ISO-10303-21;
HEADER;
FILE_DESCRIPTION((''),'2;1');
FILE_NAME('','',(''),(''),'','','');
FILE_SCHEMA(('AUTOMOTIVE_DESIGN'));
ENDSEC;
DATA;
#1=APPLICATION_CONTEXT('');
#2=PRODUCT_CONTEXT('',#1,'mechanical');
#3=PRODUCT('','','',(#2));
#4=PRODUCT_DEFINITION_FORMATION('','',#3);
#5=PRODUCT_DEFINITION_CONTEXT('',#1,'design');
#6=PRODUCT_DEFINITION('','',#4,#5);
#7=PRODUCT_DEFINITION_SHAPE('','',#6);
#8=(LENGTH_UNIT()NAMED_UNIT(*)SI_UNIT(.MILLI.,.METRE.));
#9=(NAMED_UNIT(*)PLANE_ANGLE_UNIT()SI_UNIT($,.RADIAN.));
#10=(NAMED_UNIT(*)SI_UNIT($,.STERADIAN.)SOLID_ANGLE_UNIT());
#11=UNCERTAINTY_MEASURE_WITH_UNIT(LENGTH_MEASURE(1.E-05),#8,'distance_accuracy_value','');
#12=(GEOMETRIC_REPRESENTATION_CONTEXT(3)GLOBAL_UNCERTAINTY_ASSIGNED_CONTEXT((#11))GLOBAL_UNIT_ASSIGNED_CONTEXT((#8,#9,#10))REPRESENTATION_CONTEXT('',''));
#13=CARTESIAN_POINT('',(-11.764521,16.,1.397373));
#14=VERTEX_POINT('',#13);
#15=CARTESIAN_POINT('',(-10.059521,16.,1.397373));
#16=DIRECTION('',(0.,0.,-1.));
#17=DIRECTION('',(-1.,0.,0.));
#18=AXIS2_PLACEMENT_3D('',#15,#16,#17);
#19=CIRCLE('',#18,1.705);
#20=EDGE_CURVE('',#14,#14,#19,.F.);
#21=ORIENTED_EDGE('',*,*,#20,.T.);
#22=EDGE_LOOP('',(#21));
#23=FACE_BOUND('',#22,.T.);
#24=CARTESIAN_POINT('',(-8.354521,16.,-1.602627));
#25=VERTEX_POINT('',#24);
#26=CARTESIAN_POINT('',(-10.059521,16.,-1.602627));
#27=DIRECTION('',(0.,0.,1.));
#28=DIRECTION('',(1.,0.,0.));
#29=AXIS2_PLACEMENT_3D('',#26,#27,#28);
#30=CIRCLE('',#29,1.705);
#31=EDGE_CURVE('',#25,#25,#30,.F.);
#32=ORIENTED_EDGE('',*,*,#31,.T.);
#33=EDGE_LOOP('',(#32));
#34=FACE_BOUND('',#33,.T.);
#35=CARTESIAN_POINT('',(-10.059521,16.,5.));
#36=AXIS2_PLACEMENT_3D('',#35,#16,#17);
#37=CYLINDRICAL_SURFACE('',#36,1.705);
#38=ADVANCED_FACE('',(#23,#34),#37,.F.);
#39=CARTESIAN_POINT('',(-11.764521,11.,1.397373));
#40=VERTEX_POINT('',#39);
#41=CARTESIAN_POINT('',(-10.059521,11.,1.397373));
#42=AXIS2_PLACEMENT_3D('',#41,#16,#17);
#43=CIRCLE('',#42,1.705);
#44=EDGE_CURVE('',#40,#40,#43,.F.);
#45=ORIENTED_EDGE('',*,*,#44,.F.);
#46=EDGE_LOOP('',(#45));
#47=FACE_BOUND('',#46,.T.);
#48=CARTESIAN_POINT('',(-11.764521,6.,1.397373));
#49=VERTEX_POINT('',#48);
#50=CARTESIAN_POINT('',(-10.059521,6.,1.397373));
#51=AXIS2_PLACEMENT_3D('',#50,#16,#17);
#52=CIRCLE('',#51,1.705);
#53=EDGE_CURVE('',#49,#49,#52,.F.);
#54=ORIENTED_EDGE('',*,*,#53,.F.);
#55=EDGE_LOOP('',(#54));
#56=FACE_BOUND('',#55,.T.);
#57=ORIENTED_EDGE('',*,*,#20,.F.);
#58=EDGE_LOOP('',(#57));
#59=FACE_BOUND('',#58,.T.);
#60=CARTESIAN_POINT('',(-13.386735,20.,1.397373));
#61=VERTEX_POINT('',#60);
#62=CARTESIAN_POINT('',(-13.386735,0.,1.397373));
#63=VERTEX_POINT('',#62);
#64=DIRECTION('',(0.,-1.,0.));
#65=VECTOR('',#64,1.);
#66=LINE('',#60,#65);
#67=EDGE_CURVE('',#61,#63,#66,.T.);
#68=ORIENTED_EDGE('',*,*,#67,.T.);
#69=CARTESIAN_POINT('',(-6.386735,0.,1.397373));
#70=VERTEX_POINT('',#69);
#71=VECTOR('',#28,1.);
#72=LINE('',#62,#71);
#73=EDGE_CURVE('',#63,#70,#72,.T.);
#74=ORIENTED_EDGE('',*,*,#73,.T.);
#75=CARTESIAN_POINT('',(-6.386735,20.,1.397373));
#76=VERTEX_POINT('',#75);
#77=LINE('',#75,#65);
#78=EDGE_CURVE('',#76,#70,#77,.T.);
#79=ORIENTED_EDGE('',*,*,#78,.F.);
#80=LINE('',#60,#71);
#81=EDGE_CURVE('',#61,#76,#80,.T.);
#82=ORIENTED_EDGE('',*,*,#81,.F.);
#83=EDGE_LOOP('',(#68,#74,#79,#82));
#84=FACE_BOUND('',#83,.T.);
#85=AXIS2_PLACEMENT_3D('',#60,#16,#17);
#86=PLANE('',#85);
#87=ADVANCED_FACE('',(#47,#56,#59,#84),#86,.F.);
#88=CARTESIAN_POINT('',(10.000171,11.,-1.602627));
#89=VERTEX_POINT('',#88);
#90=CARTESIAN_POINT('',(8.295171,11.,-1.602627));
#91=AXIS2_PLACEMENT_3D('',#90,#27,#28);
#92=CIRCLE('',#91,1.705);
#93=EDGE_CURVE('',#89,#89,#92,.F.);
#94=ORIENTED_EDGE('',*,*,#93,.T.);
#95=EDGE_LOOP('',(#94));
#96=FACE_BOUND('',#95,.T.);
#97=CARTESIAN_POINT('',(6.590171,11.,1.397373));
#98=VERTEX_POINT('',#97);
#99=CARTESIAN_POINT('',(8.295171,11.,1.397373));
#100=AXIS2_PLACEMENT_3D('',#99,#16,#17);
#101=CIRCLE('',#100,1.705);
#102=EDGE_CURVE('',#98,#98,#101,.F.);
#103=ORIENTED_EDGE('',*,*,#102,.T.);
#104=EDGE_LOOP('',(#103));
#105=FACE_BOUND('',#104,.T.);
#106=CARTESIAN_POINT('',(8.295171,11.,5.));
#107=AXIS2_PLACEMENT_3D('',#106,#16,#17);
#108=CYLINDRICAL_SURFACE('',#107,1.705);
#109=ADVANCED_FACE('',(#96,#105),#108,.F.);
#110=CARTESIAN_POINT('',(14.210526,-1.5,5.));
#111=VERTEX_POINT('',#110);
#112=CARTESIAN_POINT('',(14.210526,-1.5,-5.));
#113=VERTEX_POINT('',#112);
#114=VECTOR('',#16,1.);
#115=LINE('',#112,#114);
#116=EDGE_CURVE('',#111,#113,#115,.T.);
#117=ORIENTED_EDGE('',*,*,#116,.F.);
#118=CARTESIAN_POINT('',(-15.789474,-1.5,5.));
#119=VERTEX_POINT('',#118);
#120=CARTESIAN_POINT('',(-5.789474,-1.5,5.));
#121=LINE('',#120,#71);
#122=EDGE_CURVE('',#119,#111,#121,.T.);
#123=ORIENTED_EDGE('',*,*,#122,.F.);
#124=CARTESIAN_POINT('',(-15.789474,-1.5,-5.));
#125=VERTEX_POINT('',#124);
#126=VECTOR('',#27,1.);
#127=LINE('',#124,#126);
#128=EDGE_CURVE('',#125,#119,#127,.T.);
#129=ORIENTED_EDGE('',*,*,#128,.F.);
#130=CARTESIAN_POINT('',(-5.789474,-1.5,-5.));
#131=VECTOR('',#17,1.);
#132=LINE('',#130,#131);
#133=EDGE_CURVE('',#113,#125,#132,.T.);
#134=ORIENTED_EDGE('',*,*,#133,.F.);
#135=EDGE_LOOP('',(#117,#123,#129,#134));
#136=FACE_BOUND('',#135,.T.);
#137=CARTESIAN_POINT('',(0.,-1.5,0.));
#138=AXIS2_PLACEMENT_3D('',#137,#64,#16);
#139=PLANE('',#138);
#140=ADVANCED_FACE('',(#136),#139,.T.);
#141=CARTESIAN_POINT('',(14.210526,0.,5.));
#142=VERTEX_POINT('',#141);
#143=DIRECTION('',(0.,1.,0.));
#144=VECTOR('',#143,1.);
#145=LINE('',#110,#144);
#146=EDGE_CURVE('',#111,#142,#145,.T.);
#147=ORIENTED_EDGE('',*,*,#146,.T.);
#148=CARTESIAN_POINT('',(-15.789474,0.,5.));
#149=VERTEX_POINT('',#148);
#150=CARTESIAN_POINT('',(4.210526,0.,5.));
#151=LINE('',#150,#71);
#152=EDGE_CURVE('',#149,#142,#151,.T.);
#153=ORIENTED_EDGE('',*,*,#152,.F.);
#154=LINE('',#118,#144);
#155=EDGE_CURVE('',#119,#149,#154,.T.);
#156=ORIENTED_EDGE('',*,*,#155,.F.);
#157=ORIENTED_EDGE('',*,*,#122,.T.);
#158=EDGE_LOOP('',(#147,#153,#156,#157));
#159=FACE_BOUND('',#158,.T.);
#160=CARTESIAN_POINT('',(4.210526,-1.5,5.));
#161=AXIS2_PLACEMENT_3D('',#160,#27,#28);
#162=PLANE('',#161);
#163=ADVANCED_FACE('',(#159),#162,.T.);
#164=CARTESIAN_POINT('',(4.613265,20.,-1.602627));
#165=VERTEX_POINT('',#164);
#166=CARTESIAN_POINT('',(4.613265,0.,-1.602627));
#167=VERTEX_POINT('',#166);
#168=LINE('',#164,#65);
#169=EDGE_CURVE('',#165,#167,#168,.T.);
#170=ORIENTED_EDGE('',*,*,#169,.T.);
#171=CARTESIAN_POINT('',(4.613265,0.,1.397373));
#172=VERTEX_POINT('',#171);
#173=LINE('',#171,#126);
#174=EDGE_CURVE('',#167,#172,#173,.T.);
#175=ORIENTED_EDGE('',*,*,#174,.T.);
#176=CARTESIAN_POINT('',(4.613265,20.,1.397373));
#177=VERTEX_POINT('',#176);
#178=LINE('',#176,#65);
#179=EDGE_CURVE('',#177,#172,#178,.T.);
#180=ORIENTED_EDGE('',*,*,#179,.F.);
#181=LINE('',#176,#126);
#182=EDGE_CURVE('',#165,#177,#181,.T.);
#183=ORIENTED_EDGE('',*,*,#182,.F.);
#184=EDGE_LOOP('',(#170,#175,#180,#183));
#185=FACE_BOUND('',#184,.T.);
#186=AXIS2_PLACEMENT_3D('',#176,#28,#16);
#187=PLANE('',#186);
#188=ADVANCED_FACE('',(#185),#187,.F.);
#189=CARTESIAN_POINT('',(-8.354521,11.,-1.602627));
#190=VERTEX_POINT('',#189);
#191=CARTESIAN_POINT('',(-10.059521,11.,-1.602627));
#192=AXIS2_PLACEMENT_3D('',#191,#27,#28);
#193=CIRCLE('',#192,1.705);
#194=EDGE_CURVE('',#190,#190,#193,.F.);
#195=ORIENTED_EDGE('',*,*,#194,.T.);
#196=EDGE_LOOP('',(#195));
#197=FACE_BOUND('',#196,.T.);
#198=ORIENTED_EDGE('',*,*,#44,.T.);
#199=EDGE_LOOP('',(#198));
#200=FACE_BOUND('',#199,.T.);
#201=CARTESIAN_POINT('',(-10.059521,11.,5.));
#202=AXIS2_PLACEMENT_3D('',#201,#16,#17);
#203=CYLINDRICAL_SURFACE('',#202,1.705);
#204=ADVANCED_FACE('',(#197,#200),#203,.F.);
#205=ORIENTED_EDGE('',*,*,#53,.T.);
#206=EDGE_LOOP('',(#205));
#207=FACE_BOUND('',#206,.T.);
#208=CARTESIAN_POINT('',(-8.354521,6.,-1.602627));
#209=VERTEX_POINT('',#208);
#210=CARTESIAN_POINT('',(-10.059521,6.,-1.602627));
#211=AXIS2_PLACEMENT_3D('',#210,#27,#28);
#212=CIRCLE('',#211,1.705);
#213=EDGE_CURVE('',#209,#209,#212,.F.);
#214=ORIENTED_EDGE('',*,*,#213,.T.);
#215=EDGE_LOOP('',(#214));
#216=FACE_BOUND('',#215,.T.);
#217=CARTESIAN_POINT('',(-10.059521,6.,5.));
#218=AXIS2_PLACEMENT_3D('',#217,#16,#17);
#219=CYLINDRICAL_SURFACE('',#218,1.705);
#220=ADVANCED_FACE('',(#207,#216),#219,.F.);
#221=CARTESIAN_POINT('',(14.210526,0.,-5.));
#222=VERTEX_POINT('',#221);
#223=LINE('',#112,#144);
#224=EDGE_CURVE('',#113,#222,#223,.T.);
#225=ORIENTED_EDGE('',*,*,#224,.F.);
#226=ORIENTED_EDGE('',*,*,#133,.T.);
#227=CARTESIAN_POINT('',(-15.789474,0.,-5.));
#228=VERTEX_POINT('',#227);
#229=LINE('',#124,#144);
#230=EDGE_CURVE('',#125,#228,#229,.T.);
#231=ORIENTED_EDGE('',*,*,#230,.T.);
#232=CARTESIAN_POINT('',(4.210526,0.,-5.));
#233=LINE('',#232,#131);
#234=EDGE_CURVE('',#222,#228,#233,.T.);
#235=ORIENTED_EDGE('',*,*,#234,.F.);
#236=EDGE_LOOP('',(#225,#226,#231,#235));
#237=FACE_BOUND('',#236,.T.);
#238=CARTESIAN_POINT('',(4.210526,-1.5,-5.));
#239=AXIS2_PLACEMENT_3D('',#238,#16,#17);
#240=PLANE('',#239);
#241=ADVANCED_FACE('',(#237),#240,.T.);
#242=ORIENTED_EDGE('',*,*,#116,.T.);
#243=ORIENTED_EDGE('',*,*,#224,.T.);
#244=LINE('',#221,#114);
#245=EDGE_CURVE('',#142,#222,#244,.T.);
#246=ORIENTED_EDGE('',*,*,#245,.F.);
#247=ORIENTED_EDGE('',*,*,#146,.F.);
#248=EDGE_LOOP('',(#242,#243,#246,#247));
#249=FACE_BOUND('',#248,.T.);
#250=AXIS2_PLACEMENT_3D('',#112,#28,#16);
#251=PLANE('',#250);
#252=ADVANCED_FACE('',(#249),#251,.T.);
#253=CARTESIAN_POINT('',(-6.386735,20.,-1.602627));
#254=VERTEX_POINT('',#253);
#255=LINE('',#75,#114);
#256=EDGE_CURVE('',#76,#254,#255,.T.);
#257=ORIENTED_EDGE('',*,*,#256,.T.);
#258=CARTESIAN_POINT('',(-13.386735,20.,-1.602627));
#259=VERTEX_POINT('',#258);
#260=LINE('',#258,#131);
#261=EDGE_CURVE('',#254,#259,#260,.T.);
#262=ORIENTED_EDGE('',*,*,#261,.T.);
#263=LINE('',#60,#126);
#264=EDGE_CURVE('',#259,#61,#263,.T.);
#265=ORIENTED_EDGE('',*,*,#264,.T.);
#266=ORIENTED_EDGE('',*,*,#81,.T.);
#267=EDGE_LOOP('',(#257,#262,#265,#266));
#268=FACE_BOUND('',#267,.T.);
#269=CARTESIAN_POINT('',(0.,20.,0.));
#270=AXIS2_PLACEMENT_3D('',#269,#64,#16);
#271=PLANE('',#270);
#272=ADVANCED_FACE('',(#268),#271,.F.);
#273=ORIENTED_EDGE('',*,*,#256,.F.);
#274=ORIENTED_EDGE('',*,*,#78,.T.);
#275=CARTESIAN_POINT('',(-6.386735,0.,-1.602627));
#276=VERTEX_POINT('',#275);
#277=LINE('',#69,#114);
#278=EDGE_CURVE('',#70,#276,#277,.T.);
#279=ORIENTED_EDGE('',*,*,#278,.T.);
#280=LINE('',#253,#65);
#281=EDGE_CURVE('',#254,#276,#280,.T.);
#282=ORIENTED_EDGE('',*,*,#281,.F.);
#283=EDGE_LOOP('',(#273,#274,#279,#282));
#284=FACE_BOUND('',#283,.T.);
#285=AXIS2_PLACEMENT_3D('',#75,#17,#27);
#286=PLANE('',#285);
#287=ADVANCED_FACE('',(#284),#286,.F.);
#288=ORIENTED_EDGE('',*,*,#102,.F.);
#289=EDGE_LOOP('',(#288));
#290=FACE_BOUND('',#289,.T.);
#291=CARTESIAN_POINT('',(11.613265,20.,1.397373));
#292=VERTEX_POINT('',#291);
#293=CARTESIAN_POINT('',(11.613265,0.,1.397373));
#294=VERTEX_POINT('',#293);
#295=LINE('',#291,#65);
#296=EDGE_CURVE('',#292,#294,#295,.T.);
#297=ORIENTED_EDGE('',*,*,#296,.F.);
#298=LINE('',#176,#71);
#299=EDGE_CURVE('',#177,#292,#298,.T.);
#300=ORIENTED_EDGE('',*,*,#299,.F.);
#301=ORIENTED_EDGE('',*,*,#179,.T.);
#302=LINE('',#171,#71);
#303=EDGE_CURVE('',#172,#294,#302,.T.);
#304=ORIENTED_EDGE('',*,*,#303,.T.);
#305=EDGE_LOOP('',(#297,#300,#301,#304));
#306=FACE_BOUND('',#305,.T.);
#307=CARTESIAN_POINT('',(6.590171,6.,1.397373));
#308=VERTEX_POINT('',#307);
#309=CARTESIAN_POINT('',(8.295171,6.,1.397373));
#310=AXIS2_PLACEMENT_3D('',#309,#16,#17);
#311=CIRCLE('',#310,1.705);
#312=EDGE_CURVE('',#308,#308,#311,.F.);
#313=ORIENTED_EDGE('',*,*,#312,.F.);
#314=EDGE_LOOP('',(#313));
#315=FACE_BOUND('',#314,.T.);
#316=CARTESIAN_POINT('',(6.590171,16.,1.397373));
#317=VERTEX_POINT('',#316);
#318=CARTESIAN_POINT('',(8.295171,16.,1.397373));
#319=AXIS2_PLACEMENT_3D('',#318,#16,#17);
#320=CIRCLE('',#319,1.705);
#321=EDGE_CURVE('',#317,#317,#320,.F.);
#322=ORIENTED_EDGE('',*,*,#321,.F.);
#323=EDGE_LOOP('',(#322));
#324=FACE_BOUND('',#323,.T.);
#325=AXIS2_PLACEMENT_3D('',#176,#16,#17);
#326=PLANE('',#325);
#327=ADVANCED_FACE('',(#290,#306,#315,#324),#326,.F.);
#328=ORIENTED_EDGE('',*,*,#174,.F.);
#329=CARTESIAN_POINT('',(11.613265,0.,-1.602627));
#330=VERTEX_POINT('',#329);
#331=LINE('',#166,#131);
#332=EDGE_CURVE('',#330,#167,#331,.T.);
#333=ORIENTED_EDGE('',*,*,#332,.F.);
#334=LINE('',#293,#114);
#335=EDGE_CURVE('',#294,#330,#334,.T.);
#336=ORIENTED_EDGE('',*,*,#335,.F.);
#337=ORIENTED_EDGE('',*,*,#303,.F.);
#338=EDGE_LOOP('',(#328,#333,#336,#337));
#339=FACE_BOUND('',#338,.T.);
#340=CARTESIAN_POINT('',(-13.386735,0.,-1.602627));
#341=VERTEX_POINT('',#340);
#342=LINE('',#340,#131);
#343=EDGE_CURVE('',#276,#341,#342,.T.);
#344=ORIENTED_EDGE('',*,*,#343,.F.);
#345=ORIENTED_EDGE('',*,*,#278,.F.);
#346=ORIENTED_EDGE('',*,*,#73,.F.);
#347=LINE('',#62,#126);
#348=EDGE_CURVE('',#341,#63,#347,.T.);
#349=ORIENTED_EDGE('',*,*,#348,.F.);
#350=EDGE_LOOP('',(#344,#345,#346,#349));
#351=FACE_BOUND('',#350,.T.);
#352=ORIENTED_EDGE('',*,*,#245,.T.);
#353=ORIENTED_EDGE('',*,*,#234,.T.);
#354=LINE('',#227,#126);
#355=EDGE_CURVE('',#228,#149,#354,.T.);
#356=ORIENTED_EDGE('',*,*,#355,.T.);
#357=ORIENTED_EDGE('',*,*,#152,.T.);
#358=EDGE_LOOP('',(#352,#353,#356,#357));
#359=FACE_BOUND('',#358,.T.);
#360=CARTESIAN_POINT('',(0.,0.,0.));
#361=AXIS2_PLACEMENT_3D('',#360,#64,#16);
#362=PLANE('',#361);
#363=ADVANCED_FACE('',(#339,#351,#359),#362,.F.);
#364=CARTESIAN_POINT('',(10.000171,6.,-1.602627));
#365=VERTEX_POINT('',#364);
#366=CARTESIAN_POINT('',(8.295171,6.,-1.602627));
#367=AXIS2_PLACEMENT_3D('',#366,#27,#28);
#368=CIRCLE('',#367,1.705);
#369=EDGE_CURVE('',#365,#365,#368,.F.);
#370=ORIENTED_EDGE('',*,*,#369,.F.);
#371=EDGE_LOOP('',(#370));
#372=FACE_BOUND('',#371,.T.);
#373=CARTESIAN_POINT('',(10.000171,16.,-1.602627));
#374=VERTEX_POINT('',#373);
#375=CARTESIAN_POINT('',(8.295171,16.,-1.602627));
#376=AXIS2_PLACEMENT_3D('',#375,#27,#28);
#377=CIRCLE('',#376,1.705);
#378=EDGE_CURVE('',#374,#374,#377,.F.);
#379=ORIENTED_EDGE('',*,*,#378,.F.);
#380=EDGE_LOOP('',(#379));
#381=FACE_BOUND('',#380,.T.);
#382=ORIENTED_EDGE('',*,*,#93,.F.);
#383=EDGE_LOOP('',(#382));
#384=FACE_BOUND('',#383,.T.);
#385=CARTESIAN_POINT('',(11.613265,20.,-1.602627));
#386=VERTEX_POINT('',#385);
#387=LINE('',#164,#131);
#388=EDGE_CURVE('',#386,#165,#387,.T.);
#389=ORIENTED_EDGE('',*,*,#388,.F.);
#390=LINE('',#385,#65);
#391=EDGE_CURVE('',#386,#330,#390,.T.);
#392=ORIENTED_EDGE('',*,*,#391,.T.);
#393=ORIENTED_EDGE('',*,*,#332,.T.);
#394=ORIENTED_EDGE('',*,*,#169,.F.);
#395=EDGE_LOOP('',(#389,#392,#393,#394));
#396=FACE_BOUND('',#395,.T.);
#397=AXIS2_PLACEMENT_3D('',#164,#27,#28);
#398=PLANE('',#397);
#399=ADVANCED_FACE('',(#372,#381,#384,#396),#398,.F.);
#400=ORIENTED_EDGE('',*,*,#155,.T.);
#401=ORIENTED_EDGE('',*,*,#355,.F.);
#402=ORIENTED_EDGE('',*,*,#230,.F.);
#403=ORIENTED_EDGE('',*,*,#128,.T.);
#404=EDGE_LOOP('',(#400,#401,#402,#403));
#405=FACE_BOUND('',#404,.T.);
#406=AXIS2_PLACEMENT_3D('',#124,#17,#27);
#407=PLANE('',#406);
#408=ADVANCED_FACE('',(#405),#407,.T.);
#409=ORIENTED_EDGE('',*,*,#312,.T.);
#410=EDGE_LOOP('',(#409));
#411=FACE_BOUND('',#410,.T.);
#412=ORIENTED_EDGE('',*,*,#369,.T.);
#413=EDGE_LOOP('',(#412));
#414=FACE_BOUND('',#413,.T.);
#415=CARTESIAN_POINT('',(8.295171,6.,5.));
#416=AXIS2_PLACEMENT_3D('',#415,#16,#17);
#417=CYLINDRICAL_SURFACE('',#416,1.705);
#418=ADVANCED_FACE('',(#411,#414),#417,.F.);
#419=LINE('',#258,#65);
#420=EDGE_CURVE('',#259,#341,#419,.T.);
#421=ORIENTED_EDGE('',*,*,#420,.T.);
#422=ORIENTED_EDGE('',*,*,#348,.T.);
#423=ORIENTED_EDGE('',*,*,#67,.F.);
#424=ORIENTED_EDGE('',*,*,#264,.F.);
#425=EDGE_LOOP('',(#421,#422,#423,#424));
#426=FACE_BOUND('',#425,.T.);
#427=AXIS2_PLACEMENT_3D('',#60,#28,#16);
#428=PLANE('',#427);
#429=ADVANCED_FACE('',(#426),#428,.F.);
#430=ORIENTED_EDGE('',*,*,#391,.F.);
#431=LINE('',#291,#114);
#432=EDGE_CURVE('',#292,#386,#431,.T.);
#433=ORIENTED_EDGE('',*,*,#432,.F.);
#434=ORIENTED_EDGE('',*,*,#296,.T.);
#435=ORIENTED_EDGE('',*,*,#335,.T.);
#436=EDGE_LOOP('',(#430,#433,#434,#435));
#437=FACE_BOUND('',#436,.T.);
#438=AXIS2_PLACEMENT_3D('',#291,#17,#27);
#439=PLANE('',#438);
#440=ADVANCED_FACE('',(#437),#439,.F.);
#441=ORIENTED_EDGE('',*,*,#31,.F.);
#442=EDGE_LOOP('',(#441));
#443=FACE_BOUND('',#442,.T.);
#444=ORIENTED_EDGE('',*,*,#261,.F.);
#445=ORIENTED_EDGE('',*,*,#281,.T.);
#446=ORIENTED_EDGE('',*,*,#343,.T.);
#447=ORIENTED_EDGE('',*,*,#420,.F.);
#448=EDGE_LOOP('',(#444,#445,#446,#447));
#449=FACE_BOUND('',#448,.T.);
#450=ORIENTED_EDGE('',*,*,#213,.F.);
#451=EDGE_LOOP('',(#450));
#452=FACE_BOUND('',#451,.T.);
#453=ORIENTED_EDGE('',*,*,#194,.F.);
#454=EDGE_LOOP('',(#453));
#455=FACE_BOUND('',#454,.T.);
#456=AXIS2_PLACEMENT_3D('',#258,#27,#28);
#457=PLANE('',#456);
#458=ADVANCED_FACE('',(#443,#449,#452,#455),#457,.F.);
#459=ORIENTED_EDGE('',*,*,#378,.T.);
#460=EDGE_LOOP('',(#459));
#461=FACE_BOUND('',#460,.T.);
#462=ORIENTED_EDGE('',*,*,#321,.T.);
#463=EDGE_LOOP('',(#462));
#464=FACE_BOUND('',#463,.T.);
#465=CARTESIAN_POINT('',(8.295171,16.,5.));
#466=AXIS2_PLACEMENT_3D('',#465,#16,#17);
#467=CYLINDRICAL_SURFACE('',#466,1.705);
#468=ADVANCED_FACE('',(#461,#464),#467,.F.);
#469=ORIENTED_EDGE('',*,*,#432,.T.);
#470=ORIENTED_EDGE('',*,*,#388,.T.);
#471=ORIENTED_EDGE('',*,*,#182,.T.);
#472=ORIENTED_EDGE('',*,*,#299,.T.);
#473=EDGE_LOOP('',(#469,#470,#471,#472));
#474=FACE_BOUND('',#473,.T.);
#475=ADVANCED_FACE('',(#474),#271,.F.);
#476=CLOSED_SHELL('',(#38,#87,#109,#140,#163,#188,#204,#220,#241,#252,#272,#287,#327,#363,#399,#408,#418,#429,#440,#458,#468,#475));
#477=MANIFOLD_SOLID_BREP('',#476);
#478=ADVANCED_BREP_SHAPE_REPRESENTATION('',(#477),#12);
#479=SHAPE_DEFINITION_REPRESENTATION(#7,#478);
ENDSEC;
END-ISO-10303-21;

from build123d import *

# Parameters (mm, degrees)
BOSS_EXTRUDE1_DEPTH = 1.5
SKETCH3_W           = 7
SKETCH3_H           = 3
BOSS_EXTRUDE2_DEPTH = 20
SKETCH4_R           = 1.705
CUT_EXTRUDE1_DEPTH  = 5
LPATTERN1_COUNT     = 3
LPATTERN1_PITCH     = 5


with BuildPart() as part:
    # Sketch1 → Boss-Extrude1 (new body)
    with BuildSketch(Plane(origin=(0, 0, 0), x_dir=(1, 0, 0), z_dir=(0, 1, 0))):
        Polygon((-5.789473684, 5), (-15.789473684, 5), (-15.789473684, -5), (-5.789473684, -5), (4.210526316, -5), (14.210526316, -5), (14.210526316, 5), (4.210526316, 5), align=None)
    extrude(amount=-BOSS_EXTRUDE1_DEPTH)

    # Sketch3 → Boss-Extrude2 (add)
    with BuildSketch(Plane(origin=(0, 0, 0), x_dir=(1, 0, 0), z_dir=(0, 1, 0))):
        with Locations((-9.886735186, 0.10262718)):
            Rectangle(SKETCH3_W, SKETCH3_H)
        with Locations((8.113264814, 0.10262718)):
            Rectangle(SKETCH3_W, SKETCH3_H)
    extrude(amount=BOSS_EXTRUDE2_DEPTH)

    # Sketch4 → Cut-Extrude1 (cut, symmetric)
    with BuildSketch(Plane.XY):
        with Locations(Location((-10.0595209, 16, 0), (0, 0, 180))):
            Circle(SKETCH4_R)
        with Locations(Location((8.29517143, 16, 0), (0, 0, 180))):
            Circle(SKETCH4_R)
    cut_extrude1 = extrude(amount=CUT_EXTRUDE1_DEPTH, both=True, mode=Mode.SUBTRACT)

    # LPattern1: Cut-Extrude1 ×3
    with Locations(*[(0, -i * LPATTERN1_PITCH, 0) for i in range(1, LPATTERN1_COUNT)]):
        add(cut_extrude1, mode=Mode.SUBTRACT)


solid = part.part
